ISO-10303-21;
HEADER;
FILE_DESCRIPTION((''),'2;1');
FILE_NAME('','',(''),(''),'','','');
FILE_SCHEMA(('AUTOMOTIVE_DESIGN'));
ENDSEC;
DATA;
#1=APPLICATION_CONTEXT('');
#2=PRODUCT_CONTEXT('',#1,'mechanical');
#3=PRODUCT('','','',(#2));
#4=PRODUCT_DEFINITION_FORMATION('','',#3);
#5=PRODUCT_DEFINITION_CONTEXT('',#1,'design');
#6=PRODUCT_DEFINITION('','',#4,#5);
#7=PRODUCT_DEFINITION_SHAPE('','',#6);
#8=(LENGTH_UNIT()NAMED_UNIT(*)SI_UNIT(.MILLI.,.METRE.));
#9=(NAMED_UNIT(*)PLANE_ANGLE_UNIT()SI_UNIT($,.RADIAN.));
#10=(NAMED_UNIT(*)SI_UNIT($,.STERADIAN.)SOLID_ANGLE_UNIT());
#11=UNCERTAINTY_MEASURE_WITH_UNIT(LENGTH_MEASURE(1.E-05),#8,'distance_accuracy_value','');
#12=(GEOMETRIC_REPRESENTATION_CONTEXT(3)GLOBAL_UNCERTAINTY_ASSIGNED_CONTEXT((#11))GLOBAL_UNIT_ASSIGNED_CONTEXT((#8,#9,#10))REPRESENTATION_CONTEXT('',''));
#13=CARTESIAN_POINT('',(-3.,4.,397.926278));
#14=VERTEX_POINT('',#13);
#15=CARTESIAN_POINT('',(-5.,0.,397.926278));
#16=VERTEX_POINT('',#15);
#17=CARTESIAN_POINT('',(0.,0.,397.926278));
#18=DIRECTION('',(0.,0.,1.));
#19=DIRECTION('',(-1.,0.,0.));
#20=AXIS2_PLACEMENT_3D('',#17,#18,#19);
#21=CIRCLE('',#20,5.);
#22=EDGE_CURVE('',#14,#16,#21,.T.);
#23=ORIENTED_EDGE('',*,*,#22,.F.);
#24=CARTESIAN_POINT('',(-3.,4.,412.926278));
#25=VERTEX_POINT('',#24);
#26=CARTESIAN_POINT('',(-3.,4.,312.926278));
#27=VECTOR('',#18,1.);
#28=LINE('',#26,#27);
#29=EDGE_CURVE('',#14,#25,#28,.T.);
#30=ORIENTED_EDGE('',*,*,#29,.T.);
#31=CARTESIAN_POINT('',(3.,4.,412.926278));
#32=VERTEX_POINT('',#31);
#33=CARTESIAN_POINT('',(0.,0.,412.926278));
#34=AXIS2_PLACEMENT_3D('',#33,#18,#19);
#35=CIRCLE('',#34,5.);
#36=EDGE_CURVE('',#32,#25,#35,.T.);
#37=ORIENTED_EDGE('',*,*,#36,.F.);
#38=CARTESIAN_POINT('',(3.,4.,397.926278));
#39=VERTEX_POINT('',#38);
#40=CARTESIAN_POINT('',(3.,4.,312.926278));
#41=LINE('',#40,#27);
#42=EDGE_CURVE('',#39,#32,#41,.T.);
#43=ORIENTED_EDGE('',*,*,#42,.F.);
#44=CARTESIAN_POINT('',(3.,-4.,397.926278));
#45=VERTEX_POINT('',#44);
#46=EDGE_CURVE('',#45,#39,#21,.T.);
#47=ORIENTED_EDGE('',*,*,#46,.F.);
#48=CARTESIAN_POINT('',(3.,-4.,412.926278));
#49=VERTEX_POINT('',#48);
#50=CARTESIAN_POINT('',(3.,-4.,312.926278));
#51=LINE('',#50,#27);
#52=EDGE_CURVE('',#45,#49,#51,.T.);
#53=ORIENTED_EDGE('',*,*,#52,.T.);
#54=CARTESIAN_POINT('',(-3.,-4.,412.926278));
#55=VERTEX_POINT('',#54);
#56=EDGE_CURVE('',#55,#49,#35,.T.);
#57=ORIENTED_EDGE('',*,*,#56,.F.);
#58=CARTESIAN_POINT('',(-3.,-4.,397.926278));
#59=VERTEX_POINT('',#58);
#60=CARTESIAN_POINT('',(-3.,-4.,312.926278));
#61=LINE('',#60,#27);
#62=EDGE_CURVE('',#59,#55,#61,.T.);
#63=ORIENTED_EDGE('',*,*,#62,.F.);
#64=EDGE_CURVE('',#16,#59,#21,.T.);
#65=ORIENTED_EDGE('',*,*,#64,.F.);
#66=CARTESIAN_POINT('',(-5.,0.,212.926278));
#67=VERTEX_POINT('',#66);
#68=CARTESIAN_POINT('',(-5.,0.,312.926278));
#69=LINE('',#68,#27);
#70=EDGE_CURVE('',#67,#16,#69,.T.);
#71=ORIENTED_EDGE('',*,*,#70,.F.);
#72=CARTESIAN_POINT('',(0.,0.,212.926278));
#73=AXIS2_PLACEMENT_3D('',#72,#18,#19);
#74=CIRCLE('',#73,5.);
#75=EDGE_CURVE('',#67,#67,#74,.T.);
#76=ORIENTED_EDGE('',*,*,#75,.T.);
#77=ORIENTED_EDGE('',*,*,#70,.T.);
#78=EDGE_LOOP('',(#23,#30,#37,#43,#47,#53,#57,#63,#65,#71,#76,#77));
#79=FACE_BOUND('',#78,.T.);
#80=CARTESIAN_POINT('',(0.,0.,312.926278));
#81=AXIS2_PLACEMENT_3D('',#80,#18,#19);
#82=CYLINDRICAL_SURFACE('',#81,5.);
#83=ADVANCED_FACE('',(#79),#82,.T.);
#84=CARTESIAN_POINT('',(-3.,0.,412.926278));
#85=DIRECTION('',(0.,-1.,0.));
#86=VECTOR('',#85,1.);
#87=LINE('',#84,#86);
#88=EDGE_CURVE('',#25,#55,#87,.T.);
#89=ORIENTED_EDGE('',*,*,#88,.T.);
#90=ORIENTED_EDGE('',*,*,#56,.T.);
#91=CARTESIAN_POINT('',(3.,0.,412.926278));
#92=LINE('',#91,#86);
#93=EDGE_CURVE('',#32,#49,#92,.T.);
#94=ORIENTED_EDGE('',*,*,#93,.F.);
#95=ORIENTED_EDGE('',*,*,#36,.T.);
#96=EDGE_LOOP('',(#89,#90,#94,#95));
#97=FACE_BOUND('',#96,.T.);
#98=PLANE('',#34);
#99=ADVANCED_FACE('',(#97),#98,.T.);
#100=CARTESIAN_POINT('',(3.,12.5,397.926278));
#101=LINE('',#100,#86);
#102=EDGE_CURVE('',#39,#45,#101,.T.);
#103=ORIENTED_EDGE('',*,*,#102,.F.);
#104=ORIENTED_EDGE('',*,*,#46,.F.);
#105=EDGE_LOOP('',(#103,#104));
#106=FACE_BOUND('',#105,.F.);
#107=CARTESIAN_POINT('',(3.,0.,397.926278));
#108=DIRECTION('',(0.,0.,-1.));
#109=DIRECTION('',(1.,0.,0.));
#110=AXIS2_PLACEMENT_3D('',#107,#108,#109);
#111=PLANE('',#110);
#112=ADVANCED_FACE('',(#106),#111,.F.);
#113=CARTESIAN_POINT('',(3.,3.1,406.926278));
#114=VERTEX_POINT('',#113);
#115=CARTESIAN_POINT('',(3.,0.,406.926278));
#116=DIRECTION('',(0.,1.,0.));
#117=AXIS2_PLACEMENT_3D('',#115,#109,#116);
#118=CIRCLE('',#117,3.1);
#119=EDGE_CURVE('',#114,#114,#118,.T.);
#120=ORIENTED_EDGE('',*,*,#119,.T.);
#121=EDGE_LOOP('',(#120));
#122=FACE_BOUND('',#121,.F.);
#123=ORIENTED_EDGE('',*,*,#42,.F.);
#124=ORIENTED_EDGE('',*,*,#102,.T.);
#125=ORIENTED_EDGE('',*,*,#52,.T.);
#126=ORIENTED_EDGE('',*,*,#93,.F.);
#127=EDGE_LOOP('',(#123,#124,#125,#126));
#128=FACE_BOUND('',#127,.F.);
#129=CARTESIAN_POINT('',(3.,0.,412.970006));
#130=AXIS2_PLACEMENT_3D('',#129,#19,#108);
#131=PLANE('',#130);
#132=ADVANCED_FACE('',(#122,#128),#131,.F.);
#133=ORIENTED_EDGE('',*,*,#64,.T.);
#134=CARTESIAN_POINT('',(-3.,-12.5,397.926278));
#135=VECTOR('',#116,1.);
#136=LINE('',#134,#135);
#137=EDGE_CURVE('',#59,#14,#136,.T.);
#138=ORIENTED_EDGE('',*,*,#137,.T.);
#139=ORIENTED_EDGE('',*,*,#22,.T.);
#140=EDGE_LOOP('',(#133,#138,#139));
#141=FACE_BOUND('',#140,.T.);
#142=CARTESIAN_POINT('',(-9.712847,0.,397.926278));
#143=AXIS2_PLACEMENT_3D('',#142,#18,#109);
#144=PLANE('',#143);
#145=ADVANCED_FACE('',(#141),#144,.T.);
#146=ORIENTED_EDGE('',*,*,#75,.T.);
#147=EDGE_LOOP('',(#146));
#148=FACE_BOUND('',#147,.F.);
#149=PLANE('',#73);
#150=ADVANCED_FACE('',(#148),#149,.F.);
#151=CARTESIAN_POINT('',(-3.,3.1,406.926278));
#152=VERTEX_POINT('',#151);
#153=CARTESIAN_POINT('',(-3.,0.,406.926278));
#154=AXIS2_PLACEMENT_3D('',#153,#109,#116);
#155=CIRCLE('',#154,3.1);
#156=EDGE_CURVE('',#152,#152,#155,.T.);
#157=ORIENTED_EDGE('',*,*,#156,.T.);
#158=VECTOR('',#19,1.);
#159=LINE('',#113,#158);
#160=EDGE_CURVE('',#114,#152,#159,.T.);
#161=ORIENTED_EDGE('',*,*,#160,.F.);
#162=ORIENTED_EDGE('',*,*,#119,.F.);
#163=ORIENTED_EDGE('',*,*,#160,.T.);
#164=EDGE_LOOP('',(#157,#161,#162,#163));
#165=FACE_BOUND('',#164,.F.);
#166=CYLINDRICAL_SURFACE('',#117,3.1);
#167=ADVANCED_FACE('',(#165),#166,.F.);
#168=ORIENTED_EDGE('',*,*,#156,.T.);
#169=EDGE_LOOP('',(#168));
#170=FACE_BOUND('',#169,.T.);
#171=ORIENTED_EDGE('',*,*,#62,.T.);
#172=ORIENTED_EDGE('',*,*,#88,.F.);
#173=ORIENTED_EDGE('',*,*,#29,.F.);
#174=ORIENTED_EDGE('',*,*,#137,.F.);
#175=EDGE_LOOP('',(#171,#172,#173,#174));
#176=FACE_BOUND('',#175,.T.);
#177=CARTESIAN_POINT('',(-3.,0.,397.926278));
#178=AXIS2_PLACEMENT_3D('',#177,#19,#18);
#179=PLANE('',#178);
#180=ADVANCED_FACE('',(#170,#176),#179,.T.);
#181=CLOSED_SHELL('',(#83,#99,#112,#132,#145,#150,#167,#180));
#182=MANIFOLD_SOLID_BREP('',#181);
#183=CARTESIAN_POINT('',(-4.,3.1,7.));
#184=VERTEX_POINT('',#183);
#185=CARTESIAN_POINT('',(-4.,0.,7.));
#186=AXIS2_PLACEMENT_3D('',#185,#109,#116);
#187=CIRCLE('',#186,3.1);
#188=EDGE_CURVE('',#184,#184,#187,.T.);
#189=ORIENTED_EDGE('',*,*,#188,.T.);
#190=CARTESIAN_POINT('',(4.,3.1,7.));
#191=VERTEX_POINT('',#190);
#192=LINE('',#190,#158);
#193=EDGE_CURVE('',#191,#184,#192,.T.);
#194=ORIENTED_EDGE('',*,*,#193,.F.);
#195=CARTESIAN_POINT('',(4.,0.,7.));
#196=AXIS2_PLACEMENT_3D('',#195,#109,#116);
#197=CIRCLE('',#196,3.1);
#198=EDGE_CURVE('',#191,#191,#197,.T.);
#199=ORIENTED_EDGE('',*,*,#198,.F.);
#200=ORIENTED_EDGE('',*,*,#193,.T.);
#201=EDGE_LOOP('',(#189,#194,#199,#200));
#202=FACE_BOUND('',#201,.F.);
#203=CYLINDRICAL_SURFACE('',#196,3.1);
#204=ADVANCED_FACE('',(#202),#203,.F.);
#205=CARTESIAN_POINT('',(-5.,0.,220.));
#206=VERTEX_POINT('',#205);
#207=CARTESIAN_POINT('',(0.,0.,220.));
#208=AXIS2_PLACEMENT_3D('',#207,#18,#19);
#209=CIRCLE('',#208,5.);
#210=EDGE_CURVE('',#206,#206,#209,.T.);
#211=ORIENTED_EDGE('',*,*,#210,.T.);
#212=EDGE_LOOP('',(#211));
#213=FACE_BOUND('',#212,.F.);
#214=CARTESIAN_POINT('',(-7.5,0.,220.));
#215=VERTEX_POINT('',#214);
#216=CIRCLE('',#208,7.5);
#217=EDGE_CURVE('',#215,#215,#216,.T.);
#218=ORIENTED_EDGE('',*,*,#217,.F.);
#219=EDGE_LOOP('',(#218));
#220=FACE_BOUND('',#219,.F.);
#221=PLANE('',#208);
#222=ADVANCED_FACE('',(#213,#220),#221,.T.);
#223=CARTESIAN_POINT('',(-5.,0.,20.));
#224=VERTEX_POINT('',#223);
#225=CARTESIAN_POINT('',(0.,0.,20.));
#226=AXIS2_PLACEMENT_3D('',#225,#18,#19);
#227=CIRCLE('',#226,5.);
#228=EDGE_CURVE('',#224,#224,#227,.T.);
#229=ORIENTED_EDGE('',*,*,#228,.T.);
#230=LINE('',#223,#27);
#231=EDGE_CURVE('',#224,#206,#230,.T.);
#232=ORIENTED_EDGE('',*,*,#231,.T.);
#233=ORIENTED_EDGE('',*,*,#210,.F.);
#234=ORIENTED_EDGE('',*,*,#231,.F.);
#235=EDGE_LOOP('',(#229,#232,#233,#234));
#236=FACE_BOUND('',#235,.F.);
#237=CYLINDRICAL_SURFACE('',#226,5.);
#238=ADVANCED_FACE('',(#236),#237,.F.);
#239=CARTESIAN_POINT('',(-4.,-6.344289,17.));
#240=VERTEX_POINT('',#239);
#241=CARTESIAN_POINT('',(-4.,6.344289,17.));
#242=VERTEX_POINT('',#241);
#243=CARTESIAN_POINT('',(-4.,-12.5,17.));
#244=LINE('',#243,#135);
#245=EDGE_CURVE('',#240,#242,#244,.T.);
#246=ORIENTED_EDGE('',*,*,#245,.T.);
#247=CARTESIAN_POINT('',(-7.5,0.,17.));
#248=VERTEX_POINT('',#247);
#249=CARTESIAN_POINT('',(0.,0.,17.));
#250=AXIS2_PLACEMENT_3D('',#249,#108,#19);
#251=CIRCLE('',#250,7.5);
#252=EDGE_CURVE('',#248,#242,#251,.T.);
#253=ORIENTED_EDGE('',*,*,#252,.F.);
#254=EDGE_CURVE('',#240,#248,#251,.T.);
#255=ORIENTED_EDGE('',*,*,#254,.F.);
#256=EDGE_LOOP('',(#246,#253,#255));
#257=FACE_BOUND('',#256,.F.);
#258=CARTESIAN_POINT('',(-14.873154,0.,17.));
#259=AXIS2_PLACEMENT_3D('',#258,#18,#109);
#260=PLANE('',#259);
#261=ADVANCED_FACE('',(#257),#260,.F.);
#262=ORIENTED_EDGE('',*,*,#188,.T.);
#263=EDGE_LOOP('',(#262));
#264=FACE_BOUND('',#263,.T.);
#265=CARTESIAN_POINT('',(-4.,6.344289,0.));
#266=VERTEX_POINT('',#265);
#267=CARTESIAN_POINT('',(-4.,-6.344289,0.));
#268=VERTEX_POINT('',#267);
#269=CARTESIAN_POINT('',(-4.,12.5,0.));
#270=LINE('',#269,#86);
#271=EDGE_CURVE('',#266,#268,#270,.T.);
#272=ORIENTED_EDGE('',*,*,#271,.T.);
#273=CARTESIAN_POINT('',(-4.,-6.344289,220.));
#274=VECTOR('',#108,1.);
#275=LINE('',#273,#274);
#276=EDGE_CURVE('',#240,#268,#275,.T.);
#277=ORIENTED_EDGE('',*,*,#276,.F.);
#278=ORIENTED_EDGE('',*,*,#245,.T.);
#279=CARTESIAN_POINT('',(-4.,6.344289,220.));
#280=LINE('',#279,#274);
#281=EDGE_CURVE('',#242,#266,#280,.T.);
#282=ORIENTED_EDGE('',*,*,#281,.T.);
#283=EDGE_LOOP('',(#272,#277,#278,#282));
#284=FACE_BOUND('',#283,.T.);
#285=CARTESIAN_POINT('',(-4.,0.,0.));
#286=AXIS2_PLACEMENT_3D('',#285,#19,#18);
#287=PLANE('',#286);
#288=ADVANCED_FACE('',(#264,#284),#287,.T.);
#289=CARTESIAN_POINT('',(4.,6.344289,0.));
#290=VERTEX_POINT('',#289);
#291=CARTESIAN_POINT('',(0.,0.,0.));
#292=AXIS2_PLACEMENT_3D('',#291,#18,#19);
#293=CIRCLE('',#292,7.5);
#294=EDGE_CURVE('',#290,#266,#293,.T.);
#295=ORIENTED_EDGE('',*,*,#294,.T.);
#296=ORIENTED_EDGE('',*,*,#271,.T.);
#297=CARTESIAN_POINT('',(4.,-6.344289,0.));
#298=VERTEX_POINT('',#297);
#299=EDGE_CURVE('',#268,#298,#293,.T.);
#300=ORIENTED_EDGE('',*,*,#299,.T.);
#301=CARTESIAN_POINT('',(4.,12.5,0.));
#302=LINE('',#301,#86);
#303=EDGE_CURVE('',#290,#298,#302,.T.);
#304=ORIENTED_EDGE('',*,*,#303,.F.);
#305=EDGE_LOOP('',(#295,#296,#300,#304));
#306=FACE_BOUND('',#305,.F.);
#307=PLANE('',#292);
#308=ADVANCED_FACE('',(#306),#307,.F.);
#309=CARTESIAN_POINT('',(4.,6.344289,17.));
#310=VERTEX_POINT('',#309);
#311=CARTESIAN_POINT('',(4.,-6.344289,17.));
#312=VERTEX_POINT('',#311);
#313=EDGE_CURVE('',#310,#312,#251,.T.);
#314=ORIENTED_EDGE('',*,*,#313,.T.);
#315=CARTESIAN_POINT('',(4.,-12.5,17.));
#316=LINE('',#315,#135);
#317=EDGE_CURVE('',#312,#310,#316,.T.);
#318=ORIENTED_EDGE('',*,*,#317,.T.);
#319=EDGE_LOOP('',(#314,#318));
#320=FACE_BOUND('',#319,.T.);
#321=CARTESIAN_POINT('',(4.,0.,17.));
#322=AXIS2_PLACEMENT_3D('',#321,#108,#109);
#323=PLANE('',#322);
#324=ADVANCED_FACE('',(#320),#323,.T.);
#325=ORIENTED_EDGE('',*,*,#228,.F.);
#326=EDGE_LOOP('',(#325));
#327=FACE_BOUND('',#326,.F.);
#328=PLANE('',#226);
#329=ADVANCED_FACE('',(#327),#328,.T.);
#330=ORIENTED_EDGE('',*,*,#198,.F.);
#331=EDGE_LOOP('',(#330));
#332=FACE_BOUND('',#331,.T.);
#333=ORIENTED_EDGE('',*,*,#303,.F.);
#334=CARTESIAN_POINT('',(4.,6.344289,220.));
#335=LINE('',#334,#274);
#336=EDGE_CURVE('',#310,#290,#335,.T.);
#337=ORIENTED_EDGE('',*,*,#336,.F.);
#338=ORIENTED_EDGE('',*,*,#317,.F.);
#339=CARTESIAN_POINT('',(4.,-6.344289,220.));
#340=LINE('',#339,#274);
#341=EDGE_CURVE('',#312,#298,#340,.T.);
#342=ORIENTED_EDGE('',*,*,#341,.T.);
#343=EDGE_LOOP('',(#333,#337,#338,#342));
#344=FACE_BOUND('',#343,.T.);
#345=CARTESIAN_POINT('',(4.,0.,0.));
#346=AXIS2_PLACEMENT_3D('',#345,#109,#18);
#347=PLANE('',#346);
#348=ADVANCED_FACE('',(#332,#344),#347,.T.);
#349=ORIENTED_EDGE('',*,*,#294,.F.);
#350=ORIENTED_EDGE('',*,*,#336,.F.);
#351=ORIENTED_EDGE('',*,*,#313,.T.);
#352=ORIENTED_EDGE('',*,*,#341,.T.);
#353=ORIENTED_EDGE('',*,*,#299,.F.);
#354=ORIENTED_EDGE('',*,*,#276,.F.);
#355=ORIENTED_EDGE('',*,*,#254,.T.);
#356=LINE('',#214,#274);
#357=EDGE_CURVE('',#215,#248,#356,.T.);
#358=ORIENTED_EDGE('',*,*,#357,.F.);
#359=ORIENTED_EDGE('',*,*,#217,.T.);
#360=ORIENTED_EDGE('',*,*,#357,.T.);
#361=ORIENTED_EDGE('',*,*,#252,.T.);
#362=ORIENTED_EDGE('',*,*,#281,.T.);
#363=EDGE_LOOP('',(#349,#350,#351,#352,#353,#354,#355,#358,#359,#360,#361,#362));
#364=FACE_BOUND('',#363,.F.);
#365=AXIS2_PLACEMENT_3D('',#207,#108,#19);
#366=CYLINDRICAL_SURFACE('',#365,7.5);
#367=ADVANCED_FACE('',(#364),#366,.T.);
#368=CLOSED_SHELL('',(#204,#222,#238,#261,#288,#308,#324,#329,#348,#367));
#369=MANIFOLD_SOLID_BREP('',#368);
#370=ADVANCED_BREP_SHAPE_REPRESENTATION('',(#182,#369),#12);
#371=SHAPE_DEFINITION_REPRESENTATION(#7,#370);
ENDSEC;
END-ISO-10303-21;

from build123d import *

# Parameters (mm, degrees)
F2_W      = 10.873154
F2_H      = 17
F3_DEPTH  = 12.5
F4_W      = 5
F4_H      = 200
F6_R      = 3.1
F7_DEPTH  = 11.501
F9_DEPTH  = 12.5
F10_R     = 3.1
F11_DEPTH = 10.501


with BuildPart() as f1:
    # F0 (on Front) → F1 (revolve)
    with BuildSketch(Plane.XZ):
        Polygon((-7.5, 0), (0, 0), (0, 20), (-5, 20), (-5, 220), (-7.5, 220), align=None)
    revolve(axis=Axis((0, 0, 213.92663), (0, 0, 1)))

    # F2 (on Front) → F3 (cut, symmetric)
    with BuildSketch(Plane.XZ):
        with Locations((-9.436577, 8.5)):
            Rectangle(F2_W, F2_H)
        with Locations((9.436577, 8.5)):
            Rectangle(F2_W, F2_H)
    extrude(amount=F3_DEPTH, both=True, mode=Mode.SUBTRACT)

    # F6 (on face) → F7 (cut, through all)
    with BuildSketch(Plane.YZ.offset(4)):
        with Locations((0, 7)):
            Circle(F6_R)
    extrude(amount=-F7_DEPTH, mode=Mode.SUBTRACT)


with BuildPart() as f5:
    # F4 (on Front) → F5 (revolve)
    with BuildSketch(Plane.XZ):
        with Locations((-2.5, 312.926278)):
            Rectangle(F4_W, F4_H)
    revolve(axis=Axis((0, 0, 213.92663), (0, 0, 1)))

    # F8 (on Front) → F9 (cut, symmetric)
    with BuildSketch(Plane.XZ):
        Polygon((-3, 412.970006), (-9.712847, 412.926278), (-9.712847, 397.926278), (-3, 397.926278), align=None)
        Polygon((3, 412.970006), (3, 397.926278), (9.712847, 397.926278), (9.712847, 412.926278), align=None)
    extrude(amount=F9_DEPTH, both=True, mode=Mode.SUBTRACT)

    # F10 (on face) → F11 (cut, through all)
    with BuildSketch(Plane.YZ.offset(3)):
        with Locations((0, 406.926278)):
            Circle(F10_R)
    extrude(amount=-F11_DEPTH, mode=Mode.SUBTRACT)


solid = Compound([f1.part, f5.part])
